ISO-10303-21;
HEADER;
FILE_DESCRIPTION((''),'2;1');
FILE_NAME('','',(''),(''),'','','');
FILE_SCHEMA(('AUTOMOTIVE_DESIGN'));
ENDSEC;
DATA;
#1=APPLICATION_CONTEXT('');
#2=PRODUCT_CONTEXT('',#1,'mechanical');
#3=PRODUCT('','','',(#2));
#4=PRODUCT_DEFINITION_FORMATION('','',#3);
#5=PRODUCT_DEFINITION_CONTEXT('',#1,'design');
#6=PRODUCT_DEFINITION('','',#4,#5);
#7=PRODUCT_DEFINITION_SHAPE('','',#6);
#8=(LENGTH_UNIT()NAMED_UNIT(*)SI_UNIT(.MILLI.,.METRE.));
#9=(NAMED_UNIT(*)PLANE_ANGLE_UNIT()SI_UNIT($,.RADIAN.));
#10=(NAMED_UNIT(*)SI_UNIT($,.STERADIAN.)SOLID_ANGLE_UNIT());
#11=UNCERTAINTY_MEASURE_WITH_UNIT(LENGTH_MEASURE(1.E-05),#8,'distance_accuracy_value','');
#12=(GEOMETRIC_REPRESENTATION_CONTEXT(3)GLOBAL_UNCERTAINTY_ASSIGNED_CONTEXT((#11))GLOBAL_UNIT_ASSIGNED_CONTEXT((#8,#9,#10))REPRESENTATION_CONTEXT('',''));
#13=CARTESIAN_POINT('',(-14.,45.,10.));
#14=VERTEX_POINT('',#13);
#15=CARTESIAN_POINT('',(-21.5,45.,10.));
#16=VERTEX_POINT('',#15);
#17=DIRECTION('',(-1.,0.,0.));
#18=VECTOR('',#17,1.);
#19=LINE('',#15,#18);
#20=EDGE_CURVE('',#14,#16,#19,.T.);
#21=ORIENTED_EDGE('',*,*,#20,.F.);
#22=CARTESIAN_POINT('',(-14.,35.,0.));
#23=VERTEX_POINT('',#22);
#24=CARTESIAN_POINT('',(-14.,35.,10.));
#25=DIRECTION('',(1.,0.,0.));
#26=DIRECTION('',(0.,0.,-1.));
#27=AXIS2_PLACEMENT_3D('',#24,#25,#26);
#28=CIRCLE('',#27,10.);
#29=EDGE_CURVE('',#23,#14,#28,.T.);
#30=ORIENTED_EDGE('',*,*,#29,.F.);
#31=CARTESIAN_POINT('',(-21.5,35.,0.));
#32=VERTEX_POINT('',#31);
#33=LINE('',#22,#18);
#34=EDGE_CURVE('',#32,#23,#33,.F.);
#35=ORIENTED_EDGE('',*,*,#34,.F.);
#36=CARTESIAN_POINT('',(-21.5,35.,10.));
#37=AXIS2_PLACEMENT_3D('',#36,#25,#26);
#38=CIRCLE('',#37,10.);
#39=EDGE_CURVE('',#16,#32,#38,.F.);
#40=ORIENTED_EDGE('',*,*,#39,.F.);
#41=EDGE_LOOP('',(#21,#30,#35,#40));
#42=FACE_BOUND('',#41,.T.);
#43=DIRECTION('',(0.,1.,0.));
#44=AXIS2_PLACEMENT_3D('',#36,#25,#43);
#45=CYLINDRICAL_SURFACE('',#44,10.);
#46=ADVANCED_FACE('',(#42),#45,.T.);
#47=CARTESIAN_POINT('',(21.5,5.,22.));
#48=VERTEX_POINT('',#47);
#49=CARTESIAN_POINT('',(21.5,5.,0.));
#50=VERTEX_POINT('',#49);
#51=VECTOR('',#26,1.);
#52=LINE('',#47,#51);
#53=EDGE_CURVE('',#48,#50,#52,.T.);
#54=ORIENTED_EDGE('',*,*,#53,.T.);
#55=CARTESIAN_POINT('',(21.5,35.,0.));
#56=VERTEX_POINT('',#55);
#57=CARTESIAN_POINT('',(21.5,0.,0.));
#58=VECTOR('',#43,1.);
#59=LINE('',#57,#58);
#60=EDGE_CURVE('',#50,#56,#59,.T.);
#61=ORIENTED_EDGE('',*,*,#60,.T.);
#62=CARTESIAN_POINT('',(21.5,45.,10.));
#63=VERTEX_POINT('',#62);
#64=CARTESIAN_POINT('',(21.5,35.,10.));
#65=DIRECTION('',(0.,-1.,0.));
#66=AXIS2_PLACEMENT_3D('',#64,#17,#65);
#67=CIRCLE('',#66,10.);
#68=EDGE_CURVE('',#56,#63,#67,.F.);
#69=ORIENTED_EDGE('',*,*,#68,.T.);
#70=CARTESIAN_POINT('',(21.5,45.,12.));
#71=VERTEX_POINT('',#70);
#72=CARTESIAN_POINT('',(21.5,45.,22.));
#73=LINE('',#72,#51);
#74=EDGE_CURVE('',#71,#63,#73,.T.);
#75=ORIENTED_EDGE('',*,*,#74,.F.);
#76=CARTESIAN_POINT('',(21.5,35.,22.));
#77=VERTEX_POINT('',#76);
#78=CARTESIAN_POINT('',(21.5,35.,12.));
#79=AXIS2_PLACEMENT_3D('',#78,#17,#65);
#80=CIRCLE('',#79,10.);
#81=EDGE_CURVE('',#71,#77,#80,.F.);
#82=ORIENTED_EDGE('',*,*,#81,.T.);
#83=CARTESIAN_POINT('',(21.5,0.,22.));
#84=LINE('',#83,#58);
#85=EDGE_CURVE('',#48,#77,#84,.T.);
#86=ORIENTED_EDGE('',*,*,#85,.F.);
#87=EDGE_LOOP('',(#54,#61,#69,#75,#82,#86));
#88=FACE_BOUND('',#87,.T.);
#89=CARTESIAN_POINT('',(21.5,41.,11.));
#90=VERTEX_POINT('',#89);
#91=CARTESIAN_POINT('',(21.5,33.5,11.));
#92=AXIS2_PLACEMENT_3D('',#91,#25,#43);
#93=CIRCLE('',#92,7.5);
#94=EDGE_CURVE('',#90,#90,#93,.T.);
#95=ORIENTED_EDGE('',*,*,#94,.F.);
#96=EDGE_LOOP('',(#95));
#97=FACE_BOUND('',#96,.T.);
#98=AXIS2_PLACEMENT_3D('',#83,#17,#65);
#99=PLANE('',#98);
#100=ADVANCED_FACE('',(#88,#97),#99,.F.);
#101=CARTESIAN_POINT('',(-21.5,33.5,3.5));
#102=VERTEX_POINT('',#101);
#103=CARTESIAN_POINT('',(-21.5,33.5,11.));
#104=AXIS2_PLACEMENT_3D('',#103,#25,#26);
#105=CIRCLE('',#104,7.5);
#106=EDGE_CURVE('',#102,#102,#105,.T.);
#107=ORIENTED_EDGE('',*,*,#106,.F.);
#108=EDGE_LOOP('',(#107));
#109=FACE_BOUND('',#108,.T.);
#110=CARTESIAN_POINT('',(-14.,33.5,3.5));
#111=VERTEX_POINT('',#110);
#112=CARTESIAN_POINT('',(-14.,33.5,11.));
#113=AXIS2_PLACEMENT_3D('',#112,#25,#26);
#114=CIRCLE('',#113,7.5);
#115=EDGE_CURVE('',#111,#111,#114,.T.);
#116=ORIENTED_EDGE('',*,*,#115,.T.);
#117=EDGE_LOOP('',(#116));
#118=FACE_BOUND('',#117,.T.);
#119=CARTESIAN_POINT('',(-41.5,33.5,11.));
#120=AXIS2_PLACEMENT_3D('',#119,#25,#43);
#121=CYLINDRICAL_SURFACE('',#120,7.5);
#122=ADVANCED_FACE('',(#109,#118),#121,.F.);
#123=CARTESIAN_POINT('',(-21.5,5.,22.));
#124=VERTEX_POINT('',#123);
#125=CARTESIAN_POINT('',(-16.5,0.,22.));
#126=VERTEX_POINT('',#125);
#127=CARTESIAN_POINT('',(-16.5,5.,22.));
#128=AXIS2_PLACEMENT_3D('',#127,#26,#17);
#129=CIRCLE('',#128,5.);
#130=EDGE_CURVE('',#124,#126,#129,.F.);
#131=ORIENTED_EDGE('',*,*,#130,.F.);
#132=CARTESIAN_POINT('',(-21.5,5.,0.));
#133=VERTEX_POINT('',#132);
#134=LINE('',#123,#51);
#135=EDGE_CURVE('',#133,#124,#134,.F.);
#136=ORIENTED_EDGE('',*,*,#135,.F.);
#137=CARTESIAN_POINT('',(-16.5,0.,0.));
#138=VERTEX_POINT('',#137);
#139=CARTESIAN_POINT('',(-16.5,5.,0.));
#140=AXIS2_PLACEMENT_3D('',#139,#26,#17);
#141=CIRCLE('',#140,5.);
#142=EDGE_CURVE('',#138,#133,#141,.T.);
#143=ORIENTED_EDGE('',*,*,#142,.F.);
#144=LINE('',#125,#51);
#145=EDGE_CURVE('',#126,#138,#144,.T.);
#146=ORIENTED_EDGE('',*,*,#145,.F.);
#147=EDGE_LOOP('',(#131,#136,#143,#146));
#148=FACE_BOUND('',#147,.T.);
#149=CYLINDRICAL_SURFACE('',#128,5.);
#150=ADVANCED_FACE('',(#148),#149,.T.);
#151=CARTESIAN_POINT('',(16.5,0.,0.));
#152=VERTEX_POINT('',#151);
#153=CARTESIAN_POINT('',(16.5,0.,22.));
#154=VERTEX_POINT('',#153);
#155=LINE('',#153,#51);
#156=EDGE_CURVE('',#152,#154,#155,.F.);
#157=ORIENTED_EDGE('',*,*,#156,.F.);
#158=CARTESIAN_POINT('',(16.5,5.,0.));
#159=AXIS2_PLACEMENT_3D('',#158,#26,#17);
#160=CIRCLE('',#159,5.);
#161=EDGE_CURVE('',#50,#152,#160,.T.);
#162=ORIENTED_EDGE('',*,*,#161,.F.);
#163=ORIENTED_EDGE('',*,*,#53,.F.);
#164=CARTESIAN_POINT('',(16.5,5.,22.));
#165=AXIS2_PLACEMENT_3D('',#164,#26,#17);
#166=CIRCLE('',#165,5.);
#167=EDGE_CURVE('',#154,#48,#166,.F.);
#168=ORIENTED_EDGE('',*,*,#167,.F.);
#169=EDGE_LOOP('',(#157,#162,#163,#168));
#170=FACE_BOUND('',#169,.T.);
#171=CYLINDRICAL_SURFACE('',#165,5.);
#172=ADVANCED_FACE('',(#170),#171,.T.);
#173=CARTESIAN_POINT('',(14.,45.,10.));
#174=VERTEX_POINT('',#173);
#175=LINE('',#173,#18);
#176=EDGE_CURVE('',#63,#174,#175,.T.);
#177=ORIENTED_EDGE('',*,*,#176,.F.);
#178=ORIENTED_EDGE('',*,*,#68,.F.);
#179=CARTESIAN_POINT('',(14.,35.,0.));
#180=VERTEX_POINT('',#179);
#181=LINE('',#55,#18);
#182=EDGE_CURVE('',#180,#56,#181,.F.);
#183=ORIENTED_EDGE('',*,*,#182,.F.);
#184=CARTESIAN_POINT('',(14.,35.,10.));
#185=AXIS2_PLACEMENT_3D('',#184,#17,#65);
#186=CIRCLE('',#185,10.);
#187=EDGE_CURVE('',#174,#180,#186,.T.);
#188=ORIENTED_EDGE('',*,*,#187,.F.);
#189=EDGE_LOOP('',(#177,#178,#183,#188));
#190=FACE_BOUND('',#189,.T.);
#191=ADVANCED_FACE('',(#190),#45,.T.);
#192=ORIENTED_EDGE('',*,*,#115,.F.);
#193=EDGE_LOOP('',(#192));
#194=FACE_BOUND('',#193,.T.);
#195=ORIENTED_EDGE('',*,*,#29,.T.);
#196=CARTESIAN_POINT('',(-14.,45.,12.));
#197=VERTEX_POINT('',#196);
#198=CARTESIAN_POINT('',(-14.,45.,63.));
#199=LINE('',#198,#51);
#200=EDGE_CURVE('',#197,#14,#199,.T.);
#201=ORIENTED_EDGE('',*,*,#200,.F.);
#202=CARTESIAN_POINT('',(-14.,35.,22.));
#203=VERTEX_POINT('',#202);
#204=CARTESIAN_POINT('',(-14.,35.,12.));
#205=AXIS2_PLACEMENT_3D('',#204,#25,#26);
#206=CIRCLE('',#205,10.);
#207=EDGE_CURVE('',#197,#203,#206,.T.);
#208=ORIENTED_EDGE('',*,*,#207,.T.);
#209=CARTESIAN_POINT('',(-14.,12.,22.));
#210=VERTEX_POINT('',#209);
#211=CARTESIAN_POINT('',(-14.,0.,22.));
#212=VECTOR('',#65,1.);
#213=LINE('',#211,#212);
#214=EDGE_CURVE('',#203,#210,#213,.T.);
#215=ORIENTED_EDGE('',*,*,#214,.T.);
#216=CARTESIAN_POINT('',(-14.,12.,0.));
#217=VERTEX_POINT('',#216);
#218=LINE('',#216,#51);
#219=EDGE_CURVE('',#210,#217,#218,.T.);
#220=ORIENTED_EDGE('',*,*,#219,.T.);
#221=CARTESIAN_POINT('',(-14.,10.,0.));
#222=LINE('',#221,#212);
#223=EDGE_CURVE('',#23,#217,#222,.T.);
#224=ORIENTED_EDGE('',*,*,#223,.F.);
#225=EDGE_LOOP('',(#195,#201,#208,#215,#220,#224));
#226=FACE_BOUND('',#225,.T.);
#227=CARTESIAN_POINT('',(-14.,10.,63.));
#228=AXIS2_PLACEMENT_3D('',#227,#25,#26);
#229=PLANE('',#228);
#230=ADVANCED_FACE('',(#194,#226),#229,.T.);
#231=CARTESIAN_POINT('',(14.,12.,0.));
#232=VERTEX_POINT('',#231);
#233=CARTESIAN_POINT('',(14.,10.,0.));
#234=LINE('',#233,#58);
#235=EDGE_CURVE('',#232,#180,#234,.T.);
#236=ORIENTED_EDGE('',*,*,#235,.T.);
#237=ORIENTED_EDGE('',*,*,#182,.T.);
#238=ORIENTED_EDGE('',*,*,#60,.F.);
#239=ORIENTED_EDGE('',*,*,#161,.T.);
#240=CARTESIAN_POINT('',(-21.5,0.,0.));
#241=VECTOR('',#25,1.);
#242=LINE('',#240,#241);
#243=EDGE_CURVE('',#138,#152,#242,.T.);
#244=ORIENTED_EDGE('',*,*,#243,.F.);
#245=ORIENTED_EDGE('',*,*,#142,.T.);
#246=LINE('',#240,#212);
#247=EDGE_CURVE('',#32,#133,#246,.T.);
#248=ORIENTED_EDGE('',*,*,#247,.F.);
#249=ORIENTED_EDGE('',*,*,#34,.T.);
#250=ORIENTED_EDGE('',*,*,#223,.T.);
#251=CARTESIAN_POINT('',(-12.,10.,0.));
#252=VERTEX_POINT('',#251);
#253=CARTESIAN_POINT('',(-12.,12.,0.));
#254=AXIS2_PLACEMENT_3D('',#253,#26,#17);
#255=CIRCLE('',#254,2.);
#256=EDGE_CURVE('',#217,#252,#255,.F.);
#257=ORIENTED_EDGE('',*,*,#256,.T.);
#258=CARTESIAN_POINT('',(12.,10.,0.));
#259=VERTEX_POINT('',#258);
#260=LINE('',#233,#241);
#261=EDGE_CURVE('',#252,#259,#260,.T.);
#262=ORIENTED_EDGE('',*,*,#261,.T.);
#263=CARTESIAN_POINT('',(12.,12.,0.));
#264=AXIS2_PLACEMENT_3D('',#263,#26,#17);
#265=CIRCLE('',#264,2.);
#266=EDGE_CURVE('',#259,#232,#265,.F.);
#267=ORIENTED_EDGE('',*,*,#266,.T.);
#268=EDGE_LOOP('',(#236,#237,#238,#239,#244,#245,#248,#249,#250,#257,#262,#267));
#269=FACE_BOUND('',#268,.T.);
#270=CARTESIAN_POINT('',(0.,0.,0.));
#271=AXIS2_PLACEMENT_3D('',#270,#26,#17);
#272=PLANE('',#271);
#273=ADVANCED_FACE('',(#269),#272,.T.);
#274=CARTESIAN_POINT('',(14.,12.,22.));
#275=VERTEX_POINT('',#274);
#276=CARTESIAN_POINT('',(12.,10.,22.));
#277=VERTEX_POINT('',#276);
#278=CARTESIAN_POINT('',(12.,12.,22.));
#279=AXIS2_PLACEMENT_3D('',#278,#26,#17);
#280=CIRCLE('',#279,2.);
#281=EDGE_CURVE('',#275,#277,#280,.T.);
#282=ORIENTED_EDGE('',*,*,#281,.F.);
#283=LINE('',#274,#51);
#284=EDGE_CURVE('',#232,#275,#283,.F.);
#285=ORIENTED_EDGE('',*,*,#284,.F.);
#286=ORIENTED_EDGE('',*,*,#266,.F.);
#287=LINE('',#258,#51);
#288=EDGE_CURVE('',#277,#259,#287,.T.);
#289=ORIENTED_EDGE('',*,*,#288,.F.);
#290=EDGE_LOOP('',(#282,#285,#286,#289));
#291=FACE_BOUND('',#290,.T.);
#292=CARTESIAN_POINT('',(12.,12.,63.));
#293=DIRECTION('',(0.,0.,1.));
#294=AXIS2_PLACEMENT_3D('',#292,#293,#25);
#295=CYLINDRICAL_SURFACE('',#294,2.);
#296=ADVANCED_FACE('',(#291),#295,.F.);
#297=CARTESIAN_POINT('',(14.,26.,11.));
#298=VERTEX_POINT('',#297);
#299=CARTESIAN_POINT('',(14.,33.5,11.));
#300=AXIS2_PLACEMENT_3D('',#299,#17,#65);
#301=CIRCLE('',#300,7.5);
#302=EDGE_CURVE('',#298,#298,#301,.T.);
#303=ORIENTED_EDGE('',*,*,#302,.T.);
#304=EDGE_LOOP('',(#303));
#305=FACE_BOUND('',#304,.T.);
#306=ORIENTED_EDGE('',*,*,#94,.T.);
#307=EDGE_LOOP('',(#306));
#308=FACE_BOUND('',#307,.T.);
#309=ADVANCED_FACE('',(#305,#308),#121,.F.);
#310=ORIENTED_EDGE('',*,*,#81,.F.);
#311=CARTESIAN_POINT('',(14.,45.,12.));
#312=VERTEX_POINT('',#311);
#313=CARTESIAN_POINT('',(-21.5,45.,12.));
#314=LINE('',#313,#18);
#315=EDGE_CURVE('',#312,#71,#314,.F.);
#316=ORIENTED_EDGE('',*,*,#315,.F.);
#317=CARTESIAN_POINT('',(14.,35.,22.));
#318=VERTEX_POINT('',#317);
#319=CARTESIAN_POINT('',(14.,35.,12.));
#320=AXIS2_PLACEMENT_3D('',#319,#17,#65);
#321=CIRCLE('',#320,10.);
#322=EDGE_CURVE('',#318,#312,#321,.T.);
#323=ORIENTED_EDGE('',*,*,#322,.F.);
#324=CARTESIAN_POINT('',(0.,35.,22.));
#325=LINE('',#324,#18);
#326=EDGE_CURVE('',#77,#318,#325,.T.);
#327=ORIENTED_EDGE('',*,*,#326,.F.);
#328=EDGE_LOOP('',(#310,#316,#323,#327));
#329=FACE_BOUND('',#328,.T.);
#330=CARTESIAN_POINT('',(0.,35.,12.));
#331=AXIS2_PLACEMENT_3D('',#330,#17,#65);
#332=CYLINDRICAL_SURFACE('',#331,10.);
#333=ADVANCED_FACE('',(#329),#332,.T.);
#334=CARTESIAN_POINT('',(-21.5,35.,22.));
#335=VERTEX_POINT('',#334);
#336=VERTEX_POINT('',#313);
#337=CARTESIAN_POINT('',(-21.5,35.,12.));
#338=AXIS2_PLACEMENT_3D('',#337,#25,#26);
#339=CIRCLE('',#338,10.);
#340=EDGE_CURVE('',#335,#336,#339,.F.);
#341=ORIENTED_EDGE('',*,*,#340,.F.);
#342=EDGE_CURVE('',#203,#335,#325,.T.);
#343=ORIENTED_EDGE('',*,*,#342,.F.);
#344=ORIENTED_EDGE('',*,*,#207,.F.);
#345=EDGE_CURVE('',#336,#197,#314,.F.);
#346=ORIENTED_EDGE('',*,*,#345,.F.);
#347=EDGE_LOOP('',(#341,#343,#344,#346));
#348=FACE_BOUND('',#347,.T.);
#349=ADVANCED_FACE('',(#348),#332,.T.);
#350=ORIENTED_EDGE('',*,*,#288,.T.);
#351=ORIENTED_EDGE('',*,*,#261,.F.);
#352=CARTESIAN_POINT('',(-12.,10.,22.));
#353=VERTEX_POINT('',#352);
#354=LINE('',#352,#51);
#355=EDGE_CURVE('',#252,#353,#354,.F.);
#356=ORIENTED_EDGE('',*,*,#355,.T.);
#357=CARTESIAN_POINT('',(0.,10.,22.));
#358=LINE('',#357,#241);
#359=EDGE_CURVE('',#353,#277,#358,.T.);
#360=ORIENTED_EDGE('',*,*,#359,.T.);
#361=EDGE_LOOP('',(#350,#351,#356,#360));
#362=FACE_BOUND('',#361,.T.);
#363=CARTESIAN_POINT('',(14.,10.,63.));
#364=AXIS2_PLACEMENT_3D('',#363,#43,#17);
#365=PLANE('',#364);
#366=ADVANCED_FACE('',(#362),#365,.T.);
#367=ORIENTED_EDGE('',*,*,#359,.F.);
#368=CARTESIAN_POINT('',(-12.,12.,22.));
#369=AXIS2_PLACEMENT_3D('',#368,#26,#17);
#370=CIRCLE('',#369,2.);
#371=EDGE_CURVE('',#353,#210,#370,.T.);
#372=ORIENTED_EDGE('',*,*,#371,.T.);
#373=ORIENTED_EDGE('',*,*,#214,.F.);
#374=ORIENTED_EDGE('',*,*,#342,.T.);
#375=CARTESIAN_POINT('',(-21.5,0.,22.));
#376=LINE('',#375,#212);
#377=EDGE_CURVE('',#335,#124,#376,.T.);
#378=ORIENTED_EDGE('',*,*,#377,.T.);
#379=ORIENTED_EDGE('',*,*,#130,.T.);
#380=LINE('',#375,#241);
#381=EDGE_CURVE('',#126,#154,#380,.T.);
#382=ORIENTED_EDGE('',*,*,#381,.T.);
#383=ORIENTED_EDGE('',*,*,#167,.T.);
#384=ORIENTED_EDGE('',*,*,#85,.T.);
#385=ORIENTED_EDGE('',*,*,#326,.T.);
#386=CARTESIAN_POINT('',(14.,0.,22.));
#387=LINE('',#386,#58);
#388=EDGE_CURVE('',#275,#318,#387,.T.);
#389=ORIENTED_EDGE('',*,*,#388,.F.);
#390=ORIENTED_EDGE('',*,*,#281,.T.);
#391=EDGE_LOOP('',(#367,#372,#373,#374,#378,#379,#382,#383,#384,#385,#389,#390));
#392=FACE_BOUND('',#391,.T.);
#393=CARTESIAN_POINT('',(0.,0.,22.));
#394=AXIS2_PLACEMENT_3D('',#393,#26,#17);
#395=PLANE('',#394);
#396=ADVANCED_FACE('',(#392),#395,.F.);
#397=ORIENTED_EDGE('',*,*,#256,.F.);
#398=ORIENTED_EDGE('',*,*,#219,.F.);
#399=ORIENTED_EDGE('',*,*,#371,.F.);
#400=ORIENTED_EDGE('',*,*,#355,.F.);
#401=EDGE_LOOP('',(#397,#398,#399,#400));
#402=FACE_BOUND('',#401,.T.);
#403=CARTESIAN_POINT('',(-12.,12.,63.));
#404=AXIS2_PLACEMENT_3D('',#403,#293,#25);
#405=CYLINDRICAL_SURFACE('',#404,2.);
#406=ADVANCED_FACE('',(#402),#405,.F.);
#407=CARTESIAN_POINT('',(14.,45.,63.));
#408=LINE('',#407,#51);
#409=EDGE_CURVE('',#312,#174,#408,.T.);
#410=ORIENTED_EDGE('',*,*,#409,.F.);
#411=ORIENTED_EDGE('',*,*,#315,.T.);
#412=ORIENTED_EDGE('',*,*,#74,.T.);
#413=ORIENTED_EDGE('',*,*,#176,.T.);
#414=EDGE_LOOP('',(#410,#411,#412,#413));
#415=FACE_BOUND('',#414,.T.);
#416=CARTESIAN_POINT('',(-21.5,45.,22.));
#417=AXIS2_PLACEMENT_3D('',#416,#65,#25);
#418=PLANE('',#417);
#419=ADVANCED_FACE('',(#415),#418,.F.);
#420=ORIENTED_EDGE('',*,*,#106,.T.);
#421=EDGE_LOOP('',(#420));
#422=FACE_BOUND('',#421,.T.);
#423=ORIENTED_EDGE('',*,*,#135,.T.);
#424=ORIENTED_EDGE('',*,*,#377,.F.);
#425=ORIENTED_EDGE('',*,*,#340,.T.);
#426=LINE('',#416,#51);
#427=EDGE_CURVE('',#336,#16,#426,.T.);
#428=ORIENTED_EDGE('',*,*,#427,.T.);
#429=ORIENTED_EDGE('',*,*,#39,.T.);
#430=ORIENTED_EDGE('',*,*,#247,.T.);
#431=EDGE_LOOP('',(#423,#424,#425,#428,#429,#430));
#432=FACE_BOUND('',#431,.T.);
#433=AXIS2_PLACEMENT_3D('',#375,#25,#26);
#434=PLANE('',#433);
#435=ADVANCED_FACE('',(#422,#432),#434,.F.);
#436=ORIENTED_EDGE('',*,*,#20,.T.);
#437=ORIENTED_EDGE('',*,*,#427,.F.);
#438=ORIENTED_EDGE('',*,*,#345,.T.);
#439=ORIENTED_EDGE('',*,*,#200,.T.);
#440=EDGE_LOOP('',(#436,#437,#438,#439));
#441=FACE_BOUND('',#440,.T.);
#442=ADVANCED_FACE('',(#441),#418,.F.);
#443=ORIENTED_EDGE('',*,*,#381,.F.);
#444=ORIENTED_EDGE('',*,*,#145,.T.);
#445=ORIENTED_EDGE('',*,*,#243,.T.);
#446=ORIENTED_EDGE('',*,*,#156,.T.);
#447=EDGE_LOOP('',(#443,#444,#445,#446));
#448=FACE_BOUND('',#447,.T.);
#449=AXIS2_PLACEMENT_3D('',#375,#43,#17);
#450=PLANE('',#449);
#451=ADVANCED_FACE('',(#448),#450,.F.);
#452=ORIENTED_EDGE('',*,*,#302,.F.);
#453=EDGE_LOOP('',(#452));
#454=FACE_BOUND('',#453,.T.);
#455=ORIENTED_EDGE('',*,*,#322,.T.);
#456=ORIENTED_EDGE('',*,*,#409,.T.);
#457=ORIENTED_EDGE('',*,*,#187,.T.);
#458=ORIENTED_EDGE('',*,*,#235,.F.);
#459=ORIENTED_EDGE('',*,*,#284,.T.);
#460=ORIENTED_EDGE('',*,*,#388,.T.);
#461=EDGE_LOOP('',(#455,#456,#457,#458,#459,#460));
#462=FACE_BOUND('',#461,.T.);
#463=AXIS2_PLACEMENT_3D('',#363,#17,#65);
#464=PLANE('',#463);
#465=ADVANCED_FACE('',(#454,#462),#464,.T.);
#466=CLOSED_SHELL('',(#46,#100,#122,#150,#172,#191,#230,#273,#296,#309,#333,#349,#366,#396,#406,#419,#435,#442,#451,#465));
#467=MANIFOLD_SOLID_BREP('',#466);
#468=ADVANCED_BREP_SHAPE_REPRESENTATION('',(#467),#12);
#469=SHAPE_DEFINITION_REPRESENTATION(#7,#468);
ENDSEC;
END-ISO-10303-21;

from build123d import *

# Parameters (mm, degrees)
SZKIC1_W                    = 43
SZKIC1_H                    = 45
DODANIE_WYCI_GNI_CIE1_DEPTH = 22
SZKIC3_W                    = 28
SZKIC3_H                    = 35
WYTNIJ_WYCI_GNI_CIE1_DEPTH  = 63
SZKIC4_R                    = 7.5
WYTNIJ_WYCI_GNI_CIE2_DEPTH  = 63
ZAOKR_GLENIE1_R             = 10
ZAOKR_GLENIE2_R             = 2
ZAOKR_GLENIE3_R             = 5


with BuildPart() as part:
    # Szkic1 → Dodanie-wyciągnięcie1 (new body)
    with BuildSketch(Plane.XY):
        with Locations((0, 22.5)):
            Rectangle(SZKIC1_W, SZKIC1_H)
    extrude(amount=DODANIE_WYCI_GNI_CIE1_DEPTH)

    # Szkic3 → Wytnij-wyciągnięcie1 (cut)
    with BuildSketch(Plane.XY):
        with Locations((0, 27.5)):
            Rectangle(SZKIC3_W, SZKIC3_H)
    extrude(amount=WYTNIJ_WYCI_GNI_CIE1_DEPTH, mode=Mode.SUBTRACT)

    # Szkic4 → Wytnij-wyciągnięcie2 (cut)
    with BuildSketch(Plane(origin=(21.5, 0, 0), x_dir=(0, 0, -1), z_dir=(1, 0, 0))):
        with Locations((-11, 33.5)):
            Circle(SZKIC4_R)
    extrude(amount=-WYTNIJ_WYCI_GNI_CIE2_DEPTH, mode=Mode.SUBTRACT)

    # Zaokrąglenie1
    zaokr_glenie1_edges = [part.edges().sort_by_distance(p)[0] for p in [
        (-17.75, 45, 0),
        (-17.75, 45, 22),
        (17.75, 45, 22),
        (17.75, 45, 0),
    ]]
    fillet(zaokr_glenie1_edges, radius=ZAOKR_GLENIE1_R)

    # Zaokrąglenie2
    zaokr_glenie2_edges = [part.edges().sort_by_distance(p)[0] for p in [
        (14, 10, 11),
        (-14, 10, 11),
    ]]
    fillet(zaokr_glenie2_edges, radius=ZAOKR_GLENIE2_R)

    # Zaokrąglenie3
    zaokr_glenie3_edges = [part.edges().sort_by_distance(p)[0] for p in [
        (21.5, 0, 11),
        (-21.5, 0, 11),
    ]]
    fillet(zaokr_glenie3_edges, radius=ZAOKR_GLENIE3_R)


solid = part.part
